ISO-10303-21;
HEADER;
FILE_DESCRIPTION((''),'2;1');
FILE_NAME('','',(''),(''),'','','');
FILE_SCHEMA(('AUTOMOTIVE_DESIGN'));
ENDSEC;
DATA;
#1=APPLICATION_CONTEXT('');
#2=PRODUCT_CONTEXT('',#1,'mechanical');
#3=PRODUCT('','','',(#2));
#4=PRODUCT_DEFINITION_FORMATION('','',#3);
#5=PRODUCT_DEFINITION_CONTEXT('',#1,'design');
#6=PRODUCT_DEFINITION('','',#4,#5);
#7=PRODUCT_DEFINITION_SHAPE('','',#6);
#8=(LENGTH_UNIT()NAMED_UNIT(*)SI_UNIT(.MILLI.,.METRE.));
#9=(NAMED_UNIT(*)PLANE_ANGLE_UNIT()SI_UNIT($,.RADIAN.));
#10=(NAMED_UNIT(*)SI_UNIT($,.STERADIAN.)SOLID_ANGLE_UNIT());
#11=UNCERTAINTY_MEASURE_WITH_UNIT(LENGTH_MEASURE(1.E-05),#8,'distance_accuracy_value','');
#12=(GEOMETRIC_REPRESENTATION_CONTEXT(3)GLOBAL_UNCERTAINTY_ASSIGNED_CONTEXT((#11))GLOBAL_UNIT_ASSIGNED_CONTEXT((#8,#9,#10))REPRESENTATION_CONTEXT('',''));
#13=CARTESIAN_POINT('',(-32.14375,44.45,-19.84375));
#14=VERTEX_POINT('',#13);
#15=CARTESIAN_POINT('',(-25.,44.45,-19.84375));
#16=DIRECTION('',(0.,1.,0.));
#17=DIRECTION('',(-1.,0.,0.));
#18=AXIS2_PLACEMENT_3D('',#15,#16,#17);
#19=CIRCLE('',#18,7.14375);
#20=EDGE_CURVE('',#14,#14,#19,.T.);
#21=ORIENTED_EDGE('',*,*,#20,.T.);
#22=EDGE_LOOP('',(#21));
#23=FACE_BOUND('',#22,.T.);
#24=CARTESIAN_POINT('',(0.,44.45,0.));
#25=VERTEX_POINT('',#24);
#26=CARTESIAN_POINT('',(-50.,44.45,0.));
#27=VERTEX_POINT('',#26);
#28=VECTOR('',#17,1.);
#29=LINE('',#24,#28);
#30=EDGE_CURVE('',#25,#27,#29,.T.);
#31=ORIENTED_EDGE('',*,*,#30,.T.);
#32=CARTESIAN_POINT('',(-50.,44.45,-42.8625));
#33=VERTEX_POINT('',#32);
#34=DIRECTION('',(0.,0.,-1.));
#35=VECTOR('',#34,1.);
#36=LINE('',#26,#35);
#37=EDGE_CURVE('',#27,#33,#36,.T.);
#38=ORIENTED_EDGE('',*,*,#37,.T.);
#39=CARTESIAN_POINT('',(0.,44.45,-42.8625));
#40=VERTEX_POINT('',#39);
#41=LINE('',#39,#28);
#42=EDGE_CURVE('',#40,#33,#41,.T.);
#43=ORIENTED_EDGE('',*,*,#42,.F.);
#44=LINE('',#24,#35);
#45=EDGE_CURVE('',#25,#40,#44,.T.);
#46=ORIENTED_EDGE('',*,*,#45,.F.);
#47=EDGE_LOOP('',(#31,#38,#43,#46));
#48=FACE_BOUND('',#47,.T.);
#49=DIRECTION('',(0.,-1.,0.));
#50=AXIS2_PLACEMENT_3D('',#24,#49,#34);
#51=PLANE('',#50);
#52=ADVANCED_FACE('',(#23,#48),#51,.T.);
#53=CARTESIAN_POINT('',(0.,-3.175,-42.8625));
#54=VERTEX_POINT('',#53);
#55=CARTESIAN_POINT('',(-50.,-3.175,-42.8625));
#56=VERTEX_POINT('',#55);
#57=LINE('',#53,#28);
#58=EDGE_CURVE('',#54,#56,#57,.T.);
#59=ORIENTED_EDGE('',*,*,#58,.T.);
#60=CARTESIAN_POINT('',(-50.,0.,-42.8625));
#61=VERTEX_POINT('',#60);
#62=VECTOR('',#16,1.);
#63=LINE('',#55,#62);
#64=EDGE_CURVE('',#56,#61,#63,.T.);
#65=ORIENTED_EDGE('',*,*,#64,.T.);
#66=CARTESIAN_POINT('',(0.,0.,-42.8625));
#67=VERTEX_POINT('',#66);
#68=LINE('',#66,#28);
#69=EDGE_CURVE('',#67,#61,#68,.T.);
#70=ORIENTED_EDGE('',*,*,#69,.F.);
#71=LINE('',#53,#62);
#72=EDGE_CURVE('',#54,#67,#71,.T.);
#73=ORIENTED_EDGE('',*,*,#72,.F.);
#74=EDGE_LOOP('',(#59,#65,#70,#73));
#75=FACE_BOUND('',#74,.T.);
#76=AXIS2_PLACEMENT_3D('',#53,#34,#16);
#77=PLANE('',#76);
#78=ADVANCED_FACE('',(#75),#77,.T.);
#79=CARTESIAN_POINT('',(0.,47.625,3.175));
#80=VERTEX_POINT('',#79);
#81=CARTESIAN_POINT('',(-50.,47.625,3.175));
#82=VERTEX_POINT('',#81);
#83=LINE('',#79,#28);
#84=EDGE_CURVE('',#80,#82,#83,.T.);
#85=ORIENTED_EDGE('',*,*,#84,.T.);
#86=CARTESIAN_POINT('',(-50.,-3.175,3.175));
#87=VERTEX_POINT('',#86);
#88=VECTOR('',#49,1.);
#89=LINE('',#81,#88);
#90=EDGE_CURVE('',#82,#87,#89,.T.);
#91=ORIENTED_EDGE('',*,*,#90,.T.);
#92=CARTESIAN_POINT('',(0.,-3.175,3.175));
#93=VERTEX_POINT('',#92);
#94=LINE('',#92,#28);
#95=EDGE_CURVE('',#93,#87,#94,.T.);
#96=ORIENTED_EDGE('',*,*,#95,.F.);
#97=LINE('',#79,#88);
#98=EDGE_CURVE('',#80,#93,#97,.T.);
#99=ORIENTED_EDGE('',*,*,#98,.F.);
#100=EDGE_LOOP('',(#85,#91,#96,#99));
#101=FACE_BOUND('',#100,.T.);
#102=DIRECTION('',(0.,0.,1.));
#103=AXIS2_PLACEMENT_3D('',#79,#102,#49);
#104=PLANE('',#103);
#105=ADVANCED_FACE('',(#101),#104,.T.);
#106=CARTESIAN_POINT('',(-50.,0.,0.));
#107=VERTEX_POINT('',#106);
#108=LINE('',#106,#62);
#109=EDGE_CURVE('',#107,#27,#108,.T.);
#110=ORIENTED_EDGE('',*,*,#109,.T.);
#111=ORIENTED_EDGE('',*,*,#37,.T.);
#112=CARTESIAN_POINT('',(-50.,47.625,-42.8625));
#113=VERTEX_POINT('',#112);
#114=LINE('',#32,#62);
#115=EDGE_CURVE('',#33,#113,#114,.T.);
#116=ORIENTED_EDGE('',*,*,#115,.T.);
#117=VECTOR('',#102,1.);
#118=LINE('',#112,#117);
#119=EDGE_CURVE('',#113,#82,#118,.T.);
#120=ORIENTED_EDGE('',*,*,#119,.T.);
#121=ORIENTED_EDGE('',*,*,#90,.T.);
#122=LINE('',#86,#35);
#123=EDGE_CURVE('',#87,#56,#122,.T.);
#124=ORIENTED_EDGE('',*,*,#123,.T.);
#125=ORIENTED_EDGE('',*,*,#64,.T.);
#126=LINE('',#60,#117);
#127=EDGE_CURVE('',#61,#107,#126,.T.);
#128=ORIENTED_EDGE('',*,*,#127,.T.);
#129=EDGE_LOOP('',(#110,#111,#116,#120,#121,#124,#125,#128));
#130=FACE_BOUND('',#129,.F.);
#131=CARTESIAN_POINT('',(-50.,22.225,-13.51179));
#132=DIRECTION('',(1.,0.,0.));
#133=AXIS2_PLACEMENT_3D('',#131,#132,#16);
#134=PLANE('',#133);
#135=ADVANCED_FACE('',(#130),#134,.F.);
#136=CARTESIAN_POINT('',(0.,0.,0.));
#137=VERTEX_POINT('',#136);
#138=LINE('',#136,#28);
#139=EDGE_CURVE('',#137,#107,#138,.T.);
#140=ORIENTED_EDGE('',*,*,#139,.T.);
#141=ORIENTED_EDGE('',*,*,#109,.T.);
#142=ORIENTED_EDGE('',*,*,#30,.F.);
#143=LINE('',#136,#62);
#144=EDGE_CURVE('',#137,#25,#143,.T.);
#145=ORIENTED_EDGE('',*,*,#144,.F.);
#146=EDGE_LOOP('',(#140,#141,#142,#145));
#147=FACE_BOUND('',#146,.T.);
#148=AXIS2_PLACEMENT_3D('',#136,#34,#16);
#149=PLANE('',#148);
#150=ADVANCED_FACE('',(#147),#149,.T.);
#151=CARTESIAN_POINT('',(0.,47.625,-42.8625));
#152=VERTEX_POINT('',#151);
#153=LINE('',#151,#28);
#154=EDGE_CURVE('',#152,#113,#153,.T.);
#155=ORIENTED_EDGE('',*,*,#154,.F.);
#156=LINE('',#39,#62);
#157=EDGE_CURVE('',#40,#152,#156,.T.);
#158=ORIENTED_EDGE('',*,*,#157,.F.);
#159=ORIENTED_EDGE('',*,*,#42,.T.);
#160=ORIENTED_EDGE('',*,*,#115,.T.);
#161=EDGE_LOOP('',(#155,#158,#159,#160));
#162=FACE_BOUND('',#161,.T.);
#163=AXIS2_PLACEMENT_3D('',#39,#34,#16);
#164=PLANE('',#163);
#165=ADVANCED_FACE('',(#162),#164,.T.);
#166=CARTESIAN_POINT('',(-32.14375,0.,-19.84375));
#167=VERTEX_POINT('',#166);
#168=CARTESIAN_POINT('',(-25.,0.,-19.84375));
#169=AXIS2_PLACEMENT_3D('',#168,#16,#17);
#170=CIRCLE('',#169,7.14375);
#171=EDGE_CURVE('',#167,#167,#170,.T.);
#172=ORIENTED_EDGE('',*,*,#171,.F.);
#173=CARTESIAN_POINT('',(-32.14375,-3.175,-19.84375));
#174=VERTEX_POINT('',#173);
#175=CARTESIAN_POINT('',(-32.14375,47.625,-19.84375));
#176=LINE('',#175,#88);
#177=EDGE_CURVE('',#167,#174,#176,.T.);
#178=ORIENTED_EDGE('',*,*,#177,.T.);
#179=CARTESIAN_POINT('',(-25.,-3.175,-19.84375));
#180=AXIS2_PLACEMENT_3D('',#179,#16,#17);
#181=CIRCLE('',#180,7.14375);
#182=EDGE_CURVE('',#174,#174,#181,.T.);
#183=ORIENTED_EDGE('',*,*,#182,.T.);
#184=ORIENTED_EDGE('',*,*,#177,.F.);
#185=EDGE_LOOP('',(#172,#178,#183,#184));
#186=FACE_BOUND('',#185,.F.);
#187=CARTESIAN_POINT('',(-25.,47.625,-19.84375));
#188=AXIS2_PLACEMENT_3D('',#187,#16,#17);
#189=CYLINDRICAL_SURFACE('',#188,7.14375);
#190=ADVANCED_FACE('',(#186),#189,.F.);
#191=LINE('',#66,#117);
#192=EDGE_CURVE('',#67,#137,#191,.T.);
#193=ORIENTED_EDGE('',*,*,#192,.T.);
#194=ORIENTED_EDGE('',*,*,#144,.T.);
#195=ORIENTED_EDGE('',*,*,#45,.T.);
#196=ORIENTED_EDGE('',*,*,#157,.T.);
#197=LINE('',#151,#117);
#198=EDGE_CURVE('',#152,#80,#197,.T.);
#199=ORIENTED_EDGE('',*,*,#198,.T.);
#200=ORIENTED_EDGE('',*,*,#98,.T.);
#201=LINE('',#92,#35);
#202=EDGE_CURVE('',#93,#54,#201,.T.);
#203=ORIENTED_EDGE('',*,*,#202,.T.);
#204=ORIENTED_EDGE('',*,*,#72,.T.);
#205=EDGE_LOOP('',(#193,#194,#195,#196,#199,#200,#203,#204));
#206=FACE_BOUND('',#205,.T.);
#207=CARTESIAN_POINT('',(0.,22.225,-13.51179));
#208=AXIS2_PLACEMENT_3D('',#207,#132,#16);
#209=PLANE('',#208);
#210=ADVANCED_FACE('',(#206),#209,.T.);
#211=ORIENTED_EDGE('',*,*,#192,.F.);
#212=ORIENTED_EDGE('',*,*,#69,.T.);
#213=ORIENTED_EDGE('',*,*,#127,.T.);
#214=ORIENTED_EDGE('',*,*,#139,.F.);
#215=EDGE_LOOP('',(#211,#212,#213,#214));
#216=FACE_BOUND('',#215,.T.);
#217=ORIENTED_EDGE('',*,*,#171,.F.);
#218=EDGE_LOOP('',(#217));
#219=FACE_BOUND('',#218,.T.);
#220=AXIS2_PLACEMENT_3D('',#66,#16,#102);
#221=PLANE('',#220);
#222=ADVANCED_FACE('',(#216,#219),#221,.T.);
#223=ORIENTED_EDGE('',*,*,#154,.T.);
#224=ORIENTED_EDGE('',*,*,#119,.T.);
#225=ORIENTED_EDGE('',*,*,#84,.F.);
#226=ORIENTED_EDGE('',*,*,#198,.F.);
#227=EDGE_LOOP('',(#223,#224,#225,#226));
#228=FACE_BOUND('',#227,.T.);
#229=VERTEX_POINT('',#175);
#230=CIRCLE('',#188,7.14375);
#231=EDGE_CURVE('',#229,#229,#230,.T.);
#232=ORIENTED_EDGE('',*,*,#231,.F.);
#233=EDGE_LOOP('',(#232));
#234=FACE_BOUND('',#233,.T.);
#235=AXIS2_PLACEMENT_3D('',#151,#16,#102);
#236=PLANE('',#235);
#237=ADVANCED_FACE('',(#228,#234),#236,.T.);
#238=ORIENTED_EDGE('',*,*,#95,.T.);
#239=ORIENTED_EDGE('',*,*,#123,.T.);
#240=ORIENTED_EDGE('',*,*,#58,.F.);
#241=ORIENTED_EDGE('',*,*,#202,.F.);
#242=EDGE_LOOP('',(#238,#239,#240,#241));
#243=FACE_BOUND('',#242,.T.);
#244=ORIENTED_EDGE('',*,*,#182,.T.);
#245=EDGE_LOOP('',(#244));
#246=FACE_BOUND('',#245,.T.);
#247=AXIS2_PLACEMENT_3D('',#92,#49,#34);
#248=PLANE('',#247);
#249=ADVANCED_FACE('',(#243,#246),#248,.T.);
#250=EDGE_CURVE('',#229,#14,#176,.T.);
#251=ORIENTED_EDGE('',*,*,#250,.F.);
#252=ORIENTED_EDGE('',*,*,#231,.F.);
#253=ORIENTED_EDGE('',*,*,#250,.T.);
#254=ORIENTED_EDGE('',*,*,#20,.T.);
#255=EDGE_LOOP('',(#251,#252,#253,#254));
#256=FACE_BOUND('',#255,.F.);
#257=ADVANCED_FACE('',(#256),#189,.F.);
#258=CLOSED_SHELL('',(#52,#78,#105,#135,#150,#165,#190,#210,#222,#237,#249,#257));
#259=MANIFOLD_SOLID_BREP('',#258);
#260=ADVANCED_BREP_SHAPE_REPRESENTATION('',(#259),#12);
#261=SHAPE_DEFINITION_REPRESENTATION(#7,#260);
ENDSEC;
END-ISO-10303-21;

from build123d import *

# Parameters (mm, degrees)
F1_DEPTH = 50
F2_R     = 7.14375
F3_DEPTH = 50.801


with BuildPart() as f1:
    # F0 (on Right) → F1 (new body)
    with BuildSketch(Plane.YZ):
        Polygon((0, -42.8625), (0, 0), (44.45, 0), (44.45, -42.8625), (47.625, -42.8625), (47.625, 3.175), (-3.175, 3.175), (-3.175, -42.8625), align=None)
    extrude(amount=-F1_DEPTH)

    # F2 (on face) → F3 (cut, through all)
    with BuildSketch(Plane(origin=(0, 47.625, 0), x_dir=(-1, 0, 0), z_dir=(0, 1, 0))):
        with Locations((25, -19.84375)):
            Circle(F2_R)
    extrude(amount=-F3_DEPTH, mode=Mode.SUBTRACT)


solid = f1.part
